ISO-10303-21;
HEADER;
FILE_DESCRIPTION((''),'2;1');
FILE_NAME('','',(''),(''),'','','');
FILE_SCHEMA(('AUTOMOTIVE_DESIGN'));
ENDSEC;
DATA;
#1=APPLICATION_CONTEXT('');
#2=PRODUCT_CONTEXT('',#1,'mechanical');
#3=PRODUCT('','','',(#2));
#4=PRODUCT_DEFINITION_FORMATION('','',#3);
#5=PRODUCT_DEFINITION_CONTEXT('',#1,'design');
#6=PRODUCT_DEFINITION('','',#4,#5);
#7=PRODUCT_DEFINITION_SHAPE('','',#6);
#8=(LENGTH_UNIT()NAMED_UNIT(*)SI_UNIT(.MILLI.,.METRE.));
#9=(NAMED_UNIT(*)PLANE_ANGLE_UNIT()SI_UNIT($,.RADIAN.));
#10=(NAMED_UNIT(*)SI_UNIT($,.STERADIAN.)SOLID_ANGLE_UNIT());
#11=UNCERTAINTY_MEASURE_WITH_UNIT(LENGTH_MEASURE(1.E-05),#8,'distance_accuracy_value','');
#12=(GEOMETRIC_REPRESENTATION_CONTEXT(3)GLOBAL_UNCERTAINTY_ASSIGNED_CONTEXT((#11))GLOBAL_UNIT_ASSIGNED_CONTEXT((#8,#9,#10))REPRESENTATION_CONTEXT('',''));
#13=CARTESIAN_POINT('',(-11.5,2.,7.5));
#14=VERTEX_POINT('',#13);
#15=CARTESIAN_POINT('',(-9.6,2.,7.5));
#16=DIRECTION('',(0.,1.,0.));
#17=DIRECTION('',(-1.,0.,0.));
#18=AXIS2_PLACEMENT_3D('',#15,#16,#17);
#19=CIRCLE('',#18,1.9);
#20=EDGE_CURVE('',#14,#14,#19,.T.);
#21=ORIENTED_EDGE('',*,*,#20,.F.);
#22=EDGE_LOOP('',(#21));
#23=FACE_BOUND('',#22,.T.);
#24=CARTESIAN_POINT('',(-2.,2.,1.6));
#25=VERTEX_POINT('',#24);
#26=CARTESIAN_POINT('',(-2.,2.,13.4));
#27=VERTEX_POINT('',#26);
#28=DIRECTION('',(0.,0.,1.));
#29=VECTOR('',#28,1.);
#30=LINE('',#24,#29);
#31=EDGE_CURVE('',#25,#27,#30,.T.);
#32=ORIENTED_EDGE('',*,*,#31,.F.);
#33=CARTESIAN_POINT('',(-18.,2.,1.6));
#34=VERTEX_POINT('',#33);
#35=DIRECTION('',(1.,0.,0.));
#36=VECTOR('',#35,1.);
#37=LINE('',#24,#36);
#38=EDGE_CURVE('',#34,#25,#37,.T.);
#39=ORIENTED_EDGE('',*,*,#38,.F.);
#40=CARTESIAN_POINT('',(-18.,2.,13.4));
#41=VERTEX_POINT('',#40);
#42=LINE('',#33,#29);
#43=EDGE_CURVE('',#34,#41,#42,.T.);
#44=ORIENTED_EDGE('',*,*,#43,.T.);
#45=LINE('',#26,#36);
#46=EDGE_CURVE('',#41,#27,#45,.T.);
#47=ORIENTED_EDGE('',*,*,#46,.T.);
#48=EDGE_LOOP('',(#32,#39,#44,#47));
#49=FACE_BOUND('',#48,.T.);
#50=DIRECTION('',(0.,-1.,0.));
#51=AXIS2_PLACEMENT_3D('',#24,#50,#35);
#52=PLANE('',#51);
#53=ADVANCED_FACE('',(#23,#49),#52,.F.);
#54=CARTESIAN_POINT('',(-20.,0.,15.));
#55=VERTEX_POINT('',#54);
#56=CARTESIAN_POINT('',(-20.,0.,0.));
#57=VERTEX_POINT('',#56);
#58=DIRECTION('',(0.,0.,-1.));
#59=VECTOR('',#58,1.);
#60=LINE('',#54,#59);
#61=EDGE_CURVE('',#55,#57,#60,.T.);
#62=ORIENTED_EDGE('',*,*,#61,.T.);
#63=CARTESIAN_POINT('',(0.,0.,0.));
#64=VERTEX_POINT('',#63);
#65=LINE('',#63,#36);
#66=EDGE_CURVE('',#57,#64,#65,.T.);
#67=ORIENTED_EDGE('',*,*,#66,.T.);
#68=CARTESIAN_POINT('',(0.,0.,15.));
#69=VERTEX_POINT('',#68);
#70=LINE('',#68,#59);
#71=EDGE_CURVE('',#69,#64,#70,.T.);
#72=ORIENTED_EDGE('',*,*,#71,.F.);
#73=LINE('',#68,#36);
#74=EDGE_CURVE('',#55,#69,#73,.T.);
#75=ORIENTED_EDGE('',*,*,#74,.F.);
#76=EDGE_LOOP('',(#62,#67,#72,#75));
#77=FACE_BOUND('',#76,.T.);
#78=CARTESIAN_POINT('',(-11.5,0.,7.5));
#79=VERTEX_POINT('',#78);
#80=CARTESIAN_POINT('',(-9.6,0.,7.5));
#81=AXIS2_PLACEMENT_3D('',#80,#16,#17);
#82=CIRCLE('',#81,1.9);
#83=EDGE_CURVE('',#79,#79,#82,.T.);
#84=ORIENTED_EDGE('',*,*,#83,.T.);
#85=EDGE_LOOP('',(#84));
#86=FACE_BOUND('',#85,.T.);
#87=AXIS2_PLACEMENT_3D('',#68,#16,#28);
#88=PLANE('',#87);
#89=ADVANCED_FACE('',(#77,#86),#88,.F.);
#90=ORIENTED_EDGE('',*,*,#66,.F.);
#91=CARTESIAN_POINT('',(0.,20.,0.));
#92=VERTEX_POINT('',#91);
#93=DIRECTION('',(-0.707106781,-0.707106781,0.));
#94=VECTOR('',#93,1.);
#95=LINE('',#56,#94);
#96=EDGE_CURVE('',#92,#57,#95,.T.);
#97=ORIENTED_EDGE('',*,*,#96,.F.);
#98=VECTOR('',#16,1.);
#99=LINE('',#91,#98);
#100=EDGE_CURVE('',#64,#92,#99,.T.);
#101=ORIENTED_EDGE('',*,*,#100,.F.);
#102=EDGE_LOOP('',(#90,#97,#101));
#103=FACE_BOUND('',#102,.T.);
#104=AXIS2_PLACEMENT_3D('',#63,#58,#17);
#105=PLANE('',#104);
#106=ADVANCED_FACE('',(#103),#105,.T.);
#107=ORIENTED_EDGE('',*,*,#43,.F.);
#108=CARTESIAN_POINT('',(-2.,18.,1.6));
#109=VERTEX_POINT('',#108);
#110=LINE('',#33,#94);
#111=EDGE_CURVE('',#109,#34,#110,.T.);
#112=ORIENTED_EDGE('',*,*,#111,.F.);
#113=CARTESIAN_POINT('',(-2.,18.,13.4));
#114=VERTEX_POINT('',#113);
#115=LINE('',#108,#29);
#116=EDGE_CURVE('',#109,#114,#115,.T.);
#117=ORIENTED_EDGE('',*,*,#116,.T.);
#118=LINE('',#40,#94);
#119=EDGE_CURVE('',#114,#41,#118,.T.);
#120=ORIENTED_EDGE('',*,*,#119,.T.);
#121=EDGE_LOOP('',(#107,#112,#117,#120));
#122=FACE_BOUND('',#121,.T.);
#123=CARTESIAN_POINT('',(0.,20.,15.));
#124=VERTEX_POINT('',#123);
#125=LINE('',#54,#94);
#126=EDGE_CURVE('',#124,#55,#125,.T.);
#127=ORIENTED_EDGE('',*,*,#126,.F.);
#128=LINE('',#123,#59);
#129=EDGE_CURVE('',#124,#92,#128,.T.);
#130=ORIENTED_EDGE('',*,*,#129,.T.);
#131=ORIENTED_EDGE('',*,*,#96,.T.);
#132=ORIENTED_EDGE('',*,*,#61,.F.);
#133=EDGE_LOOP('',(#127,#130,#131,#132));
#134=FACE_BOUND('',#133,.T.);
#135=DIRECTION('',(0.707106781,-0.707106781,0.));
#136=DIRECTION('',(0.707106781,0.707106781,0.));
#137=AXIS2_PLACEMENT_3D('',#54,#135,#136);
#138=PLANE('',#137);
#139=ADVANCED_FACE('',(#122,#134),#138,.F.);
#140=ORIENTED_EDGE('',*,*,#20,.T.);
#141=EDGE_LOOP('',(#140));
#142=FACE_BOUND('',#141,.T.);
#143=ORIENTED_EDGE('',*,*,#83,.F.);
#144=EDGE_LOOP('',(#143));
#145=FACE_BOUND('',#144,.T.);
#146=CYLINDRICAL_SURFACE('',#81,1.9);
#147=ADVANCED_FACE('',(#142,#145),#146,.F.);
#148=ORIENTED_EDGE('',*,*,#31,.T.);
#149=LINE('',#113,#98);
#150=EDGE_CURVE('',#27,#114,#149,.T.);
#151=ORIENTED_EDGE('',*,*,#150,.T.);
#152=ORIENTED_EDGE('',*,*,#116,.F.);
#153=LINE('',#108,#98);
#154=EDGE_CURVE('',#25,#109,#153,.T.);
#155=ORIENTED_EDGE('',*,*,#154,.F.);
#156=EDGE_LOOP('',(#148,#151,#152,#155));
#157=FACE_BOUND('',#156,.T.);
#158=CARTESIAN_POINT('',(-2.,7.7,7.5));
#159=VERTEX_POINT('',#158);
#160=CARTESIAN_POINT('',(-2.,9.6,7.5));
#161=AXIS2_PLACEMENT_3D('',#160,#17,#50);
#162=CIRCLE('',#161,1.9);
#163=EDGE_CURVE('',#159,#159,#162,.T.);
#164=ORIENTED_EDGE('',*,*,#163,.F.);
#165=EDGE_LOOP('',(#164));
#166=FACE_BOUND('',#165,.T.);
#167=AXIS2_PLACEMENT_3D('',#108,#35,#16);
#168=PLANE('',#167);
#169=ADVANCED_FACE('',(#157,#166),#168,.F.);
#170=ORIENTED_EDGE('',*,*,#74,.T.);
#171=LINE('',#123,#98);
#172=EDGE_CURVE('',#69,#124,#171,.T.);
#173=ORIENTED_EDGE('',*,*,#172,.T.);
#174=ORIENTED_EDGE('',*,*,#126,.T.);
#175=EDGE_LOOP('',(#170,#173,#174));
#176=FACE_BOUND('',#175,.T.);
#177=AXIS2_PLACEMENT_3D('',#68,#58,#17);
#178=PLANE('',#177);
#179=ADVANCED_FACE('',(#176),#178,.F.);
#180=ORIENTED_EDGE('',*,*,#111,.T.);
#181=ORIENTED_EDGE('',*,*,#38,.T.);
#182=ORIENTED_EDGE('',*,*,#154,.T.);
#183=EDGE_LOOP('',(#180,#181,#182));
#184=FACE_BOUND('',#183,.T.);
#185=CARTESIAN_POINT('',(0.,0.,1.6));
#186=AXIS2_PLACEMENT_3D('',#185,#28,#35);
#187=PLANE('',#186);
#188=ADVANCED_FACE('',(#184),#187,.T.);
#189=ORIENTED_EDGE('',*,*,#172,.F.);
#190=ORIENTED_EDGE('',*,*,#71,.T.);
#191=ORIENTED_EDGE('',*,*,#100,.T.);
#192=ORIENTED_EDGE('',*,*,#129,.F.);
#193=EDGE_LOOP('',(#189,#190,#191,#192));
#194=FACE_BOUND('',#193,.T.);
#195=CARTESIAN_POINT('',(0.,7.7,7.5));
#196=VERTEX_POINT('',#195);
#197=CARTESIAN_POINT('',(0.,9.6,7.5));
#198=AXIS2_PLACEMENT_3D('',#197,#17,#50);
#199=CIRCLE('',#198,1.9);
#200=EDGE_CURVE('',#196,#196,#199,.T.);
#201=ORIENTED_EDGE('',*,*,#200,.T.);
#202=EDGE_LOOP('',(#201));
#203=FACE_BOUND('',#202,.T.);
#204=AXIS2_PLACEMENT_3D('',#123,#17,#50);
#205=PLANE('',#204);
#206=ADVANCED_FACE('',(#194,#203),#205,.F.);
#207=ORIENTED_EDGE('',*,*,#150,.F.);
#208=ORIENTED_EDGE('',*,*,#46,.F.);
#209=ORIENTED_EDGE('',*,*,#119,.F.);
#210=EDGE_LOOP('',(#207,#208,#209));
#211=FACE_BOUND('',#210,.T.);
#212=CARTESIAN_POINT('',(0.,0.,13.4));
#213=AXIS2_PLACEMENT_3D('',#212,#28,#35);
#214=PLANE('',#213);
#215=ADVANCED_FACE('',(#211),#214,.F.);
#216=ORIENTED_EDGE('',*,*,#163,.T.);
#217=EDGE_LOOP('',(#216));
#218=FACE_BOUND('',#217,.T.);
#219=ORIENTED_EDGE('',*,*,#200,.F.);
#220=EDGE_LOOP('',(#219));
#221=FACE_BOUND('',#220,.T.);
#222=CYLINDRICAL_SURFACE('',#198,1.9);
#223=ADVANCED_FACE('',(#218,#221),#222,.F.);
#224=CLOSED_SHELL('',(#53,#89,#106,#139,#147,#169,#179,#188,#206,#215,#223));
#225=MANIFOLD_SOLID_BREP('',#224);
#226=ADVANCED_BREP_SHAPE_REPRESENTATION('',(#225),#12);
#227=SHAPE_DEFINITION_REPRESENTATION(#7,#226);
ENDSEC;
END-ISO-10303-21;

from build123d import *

# Parameters (mm, degrees)
BOSS_EXTRUDE1_DEPTH = 15
CUT_EXTRUDE1_START  = -1.6
CUT_EXTRUDE1_DEPTH  = 11.8
SKETCH3_R           = 1.9
CUT_EXTRUDE2_DEPTH  = 31.805843601
SKETCH4_R           = 1.9
CUT_EXTRUDE3_DEPTH  = 31.805843601


with BuildPart() as part:
    # Sketch1 → Boss-Extrude1 (new body)
    with BuildSketch(Plane.XY):
        Polygon((0, 0), (-20, 0), (0, 20), align=None)
    extrude(amount=BOSS_EXTRUDE1_DEPTH)

    # Sketch2 → Cut-Extrude1 (cut)
    with BuildSketch(Plane.XY.offset(15).offset(CUT_EXTRUDE1_START)):
        Polygon((-18, 2), (-2, 18), (-2, 2), align=None)
    extrude(amount=-CUT_EXTRUDE1_DEPTH, mode=Mode.SUBTRACT)

    # Sketch3 → Cut-Extrude2 (cut, through all)
    with BuildSketch(Plane.ZY.offset(2)):
        with Locations(Location((7.5, 9.6, 0), (0, 0, 270))):
            Circle(SKETCH3_R)
    extrude(amount=-CUT_EXTRUDE2_DEPTH, mode=Mode.SUBTRACT)

    # Sketch4 → Cut-Extrude3 (cut, through all)
    with BuildSketch(Plane(origin=(0, 2, 0), x_dir=(1, 0, 0), z_dir=(0, 1, 0))):
        with Locations(Location((-9.6, -7.5, 0), (0, 0, 180))):
            Circle(SKETCH4_R)
    extrude(amount=-CUT_EXTRUDE3_DEPTH, mode=Mode.SUBTRACT)


solid = part.part
